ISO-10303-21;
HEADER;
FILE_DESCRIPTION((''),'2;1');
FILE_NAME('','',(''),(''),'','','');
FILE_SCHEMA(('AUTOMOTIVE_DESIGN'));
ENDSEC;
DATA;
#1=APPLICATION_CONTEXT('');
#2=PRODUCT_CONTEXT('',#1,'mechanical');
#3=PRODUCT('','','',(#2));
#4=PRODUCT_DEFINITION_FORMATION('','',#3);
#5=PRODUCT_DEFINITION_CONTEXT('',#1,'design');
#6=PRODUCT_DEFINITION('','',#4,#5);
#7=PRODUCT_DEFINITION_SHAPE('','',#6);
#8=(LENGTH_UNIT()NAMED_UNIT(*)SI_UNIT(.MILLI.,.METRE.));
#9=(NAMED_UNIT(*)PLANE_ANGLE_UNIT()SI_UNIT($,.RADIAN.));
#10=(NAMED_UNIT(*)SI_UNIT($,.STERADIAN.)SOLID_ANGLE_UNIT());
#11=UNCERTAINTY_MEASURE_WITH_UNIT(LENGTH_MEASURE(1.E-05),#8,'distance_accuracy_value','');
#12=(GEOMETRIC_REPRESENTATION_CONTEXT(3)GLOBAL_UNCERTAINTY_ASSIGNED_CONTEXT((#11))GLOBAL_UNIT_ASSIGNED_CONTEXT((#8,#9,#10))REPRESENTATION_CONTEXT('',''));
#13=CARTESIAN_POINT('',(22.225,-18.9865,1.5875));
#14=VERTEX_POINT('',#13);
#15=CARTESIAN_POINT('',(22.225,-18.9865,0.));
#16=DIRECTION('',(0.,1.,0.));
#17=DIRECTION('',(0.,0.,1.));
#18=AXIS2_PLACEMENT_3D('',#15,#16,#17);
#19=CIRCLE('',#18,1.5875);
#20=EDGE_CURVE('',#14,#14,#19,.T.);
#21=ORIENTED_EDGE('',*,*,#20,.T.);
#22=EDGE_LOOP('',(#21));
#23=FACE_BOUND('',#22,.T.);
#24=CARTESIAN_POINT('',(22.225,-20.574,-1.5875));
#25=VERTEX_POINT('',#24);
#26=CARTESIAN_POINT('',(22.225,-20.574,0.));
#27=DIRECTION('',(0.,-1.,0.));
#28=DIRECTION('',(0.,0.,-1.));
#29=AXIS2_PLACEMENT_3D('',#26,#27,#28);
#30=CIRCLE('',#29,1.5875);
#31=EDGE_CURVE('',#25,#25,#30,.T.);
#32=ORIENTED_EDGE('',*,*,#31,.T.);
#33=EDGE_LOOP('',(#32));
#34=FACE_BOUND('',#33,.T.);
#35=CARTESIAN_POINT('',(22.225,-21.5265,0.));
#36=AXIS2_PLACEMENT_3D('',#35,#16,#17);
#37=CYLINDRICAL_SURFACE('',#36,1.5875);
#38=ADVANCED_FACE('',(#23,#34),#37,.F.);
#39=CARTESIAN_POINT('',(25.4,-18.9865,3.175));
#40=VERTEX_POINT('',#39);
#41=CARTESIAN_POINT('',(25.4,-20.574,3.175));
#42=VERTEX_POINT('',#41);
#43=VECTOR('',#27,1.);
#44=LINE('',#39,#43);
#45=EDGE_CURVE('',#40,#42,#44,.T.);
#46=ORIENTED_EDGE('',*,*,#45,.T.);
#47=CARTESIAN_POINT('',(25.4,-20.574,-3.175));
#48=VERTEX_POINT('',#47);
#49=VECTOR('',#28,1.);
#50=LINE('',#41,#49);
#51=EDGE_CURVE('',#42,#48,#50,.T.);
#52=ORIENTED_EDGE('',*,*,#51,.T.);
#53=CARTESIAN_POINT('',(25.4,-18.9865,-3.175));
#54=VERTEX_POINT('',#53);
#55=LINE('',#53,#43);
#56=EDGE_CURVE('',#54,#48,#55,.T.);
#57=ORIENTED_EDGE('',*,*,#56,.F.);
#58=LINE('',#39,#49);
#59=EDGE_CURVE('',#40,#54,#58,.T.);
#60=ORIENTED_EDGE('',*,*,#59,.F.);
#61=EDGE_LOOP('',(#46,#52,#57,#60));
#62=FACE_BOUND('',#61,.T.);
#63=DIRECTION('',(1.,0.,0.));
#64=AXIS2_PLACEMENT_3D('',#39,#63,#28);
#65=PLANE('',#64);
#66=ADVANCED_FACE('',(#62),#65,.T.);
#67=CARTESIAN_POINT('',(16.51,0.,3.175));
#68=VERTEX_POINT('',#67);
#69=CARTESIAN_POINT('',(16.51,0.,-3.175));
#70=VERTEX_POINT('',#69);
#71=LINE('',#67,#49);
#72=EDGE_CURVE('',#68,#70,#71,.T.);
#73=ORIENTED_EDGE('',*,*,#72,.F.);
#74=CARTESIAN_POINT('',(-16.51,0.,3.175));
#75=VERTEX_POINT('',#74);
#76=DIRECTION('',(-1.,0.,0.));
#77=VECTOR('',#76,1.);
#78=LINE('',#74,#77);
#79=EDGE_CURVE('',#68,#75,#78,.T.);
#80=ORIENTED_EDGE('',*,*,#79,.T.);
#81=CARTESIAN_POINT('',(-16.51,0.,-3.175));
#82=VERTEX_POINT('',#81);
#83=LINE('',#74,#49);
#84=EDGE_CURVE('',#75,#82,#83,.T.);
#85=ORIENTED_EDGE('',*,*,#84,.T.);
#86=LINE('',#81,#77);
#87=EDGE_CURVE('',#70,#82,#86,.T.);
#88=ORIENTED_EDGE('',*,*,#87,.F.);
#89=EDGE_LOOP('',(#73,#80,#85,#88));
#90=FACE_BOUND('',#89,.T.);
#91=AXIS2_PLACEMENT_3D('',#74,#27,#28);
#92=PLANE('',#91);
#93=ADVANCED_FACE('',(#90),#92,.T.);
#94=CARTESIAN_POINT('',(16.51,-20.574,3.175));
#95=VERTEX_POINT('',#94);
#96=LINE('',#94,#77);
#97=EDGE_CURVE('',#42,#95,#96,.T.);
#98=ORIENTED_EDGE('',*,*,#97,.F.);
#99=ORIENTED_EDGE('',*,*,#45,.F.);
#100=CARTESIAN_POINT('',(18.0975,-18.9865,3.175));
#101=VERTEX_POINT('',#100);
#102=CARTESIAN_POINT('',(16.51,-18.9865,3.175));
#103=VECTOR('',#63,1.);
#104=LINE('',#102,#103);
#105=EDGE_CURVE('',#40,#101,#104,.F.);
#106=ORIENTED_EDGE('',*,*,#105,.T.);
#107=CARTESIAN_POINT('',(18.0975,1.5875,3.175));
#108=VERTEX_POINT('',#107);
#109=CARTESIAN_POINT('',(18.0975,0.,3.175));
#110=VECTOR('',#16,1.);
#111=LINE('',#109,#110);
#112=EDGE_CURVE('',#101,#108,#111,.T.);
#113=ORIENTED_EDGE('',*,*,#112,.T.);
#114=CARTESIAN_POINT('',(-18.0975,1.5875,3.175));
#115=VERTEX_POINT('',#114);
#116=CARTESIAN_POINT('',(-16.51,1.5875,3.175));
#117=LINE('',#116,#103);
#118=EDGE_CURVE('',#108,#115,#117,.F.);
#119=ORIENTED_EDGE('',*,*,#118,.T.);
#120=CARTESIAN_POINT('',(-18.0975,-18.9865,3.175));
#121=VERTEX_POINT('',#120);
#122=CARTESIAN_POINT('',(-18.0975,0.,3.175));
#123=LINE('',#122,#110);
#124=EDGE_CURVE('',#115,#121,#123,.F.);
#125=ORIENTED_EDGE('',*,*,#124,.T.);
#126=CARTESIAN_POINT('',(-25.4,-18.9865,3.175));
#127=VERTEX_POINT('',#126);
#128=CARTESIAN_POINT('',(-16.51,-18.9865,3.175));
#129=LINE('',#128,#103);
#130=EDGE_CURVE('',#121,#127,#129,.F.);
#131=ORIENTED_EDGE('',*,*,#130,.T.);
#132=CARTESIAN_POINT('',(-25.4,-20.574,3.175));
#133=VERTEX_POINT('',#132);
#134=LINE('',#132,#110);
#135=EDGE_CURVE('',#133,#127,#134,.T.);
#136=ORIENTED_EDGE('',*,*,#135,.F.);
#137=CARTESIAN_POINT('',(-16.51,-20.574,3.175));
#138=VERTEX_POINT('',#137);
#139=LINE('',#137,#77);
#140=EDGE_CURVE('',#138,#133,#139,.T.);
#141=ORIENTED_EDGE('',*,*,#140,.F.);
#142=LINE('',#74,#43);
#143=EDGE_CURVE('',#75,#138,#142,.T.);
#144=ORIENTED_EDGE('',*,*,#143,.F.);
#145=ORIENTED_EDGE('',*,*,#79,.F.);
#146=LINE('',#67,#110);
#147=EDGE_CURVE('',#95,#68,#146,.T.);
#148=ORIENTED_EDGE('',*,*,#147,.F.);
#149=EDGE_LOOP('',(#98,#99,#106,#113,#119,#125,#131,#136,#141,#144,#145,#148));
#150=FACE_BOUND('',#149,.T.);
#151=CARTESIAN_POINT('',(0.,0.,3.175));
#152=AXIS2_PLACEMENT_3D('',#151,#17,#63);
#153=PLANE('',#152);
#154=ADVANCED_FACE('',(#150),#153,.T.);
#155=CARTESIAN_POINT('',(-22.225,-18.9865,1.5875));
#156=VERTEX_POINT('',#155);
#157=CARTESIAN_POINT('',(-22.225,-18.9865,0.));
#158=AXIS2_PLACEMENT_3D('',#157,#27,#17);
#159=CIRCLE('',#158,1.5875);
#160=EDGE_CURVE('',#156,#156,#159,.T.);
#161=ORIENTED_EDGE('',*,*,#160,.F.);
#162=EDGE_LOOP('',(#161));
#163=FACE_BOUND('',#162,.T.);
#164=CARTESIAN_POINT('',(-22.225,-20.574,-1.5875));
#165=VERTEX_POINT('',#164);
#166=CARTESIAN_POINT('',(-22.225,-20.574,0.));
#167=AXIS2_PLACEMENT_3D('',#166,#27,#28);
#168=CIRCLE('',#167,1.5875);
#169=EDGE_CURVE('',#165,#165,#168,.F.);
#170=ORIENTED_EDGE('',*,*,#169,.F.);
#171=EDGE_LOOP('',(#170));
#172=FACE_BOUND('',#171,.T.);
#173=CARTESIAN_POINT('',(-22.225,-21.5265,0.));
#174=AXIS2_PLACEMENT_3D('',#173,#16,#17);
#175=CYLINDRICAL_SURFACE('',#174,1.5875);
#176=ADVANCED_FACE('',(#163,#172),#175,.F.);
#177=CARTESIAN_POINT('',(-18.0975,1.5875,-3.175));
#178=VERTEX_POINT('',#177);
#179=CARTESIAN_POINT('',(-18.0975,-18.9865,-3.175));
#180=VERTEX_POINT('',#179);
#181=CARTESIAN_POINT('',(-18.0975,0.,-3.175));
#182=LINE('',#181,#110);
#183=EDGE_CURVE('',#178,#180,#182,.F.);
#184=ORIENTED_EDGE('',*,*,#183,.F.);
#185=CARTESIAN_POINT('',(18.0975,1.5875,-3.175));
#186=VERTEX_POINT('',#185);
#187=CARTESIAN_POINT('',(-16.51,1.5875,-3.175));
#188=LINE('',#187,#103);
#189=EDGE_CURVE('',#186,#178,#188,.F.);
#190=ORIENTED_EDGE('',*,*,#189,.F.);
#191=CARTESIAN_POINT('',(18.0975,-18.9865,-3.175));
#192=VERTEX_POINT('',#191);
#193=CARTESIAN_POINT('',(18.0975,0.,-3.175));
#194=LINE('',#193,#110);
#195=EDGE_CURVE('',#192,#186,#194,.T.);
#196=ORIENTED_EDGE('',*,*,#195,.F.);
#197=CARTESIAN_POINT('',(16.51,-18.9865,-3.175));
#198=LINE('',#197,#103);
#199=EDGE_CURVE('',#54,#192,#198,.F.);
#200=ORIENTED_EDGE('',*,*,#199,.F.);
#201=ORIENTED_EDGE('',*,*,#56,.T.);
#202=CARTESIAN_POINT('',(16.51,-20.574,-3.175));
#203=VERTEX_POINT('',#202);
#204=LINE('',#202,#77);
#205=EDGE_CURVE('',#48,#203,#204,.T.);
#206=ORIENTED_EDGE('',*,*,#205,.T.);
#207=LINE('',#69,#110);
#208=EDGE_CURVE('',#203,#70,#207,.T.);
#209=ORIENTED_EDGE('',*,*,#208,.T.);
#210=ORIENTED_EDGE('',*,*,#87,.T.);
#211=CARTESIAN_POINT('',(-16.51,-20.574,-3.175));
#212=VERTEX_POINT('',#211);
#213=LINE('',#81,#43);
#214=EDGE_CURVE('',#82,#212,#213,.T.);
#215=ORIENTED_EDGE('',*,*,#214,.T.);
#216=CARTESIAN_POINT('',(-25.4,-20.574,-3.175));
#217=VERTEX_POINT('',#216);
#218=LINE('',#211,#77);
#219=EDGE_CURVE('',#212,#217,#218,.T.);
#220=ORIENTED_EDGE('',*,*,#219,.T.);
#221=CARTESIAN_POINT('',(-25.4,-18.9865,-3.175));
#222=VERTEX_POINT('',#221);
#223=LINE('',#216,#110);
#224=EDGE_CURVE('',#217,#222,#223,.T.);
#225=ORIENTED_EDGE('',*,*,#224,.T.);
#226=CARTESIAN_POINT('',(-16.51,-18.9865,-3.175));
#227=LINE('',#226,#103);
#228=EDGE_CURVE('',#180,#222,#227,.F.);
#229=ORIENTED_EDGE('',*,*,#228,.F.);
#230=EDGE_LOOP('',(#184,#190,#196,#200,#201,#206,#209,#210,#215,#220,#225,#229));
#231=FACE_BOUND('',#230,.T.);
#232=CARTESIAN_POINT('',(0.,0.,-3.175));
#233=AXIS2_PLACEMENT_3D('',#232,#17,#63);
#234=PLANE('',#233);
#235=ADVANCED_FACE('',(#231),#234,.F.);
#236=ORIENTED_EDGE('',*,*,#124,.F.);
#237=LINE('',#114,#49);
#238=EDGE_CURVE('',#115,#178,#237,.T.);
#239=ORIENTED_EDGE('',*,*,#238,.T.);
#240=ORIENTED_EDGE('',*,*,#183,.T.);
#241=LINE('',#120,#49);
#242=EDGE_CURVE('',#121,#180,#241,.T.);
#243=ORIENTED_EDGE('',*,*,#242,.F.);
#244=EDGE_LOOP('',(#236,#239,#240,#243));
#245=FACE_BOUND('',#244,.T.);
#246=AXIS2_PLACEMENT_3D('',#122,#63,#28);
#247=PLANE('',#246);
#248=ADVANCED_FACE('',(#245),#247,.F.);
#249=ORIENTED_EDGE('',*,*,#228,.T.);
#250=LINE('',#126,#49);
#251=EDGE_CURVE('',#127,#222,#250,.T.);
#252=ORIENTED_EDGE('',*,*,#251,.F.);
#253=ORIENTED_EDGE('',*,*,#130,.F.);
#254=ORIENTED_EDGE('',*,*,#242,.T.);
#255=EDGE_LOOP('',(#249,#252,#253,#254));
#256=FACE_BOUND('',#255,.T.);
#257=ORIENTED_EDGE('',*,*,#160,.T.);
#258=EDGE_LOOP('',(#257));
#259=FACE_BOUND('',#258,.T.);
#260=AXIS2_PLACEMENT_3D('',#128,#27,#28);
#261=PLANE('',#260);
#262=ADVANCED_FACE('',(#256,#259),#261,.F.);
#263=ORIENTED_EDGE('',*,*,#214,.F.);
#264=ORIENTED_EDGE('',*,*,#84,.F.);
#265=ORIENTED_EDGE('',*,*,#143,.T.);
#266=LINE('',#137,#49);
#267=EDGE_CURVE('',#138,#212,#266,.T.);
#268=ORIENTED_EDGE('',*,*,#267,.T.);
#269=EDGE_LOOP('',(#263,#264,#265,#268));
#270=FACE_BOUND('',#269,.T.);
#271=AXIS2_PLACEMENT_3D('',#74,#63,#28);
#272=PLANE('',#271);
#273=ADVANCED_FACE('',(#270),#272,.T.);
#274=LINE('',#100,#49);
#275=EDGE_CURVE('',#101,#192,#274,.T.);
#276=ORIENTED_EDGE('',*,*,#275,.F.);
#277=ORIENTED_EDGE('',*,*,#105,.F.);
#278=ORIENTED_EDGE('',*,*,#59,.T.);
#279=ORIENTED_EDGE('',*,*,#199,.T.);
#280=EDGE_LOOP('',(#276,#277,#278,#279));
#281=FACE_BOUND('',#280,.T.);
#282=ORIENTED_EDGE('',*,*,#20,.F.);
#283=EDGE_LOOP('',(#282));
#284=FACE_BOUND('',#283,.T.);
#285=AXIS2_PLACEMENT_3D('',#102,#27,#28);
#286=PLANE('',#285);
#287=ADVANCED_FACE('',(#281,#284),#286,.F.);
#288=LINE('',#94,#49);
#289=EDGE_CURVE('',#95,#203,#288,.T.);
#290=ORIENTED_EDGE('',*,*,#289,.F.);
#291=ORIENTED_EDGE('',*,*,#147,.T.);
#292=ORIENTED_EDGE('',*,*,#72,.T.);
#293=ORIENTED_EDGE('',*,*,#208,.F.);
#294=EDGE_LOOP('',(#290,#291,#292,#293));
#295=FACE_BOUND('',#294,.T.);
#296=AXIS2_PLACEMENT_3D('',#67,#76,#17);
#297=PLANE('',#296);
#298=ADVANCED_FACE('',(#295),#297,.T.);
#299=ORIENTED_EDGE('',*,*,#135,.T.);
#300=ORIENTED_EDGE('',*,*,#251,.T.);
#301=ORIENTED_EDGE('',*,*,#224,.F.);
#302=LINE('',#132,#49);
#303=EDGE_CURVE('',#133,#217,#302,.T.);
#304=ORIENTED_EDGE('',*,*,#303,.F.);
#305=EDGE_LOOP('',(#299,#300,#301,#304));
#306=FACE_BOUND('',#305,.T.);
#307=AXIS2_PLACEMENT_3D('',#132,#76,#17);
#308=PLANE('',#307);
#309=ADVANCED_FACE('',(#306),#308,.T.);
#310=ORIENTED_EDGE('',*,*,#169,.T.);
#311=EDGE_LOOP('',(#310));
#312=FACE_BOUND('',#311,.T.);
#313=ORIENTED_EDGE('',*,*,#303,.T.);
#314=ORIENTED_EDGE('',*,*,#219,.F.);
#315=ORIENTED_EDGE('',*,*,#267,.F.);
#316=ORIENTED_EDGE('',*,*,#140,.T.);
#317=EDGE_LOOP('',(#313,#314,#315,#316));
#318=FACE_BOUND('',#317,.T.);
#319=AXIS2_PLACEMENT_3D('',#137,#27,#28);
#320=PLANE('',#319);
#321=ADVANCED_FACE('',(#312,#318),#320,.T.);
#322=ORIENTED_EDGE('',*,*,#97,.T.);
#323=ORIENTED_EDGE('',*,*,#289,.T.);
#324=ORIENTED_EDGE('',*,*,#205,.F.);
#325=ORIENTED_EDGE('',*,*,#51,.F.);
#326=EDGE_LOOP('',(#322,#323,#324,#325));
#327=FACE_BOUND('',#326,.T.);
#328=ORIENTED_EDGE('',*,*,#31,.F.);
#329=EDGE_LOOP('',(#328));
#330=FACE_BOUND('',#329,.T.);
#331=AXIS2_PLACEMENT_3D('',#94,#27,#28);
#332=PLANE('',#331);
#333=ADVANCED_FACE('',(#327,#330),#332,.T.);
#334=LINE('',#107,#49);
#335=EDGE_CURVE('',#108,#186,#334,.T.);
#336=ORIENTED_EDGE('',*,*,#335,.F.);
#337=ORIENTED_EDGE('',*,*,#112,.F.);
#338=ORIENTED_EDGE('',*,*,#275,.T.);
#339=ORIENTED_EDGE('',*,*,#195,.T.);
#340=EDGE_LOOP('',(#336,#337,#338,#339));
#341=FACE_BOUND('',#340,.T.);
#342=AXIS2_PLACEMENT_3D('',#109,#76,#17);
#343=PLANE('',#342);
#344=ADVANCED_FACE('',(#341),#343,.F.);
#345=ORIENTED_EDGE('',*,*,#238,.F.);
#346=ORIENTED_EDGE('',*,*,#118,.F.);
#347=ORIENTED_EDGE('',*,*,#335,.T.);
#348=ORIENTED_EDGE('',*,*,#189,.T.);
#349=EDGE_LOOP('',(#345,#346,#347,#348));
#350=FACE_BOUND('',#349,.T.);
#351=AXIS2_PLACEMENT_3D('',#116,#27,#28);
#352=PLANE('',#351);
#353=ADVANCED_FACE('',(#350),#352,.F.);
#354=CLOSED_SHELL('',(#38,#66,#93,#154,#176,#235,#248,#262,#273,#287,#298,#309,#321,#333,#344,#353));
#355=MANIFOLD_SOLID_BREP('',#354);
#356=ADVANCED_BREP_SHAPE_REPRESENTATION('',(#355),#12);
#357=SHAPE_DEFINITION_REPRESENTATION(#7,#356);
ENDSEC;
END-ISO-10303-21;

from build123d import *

# Parameters (mm, degrees)
EXTRUDE_THIN1_DEPTH = 3.175
SKETCH2_R           = 1.5875
CUT_EXTRUDE1_DEPTH  = 2.54


with BuildPart() as part:
    # Sketch1 → Extrude-Thin1 (new, symmetric)
    with BuildSketch(Plane.XY):
        Polygon((-25.4, -20.574), (-16.51, -20.574), (-16.51, 0), (16.51, 0), (16.51, -20.574), (25.4, -20.574), (25.4, -18.9865), (18.0975, -18.9865), (18.0975, 1.5875), (-18.0975, 1.5875), (-18.0975, -18.9865), (-25.4, -18.9865), align=None)
    extrude(amount=EXTRUDE_THIN1_DEPTH, both=True)

    # Sketch2 → Cut-Extrude1 (cut)
    with BuildSketch(Plane(origin=(0, -18.9865, 0), x_dir=(1, 0, 0), z_dir=(0, 1, 0))):
        with Locations(Location((22.225, 0, 0), (0, 0, 270))):
            Circle(SKETCH2_R)
    cut_extrude1 = extrude(amount=-CUT_EXTRUDE1_DEPTH, mode=Mode.SUBTRACT)

    # Mirror1: Cut-Extrude1 across plane
    add(cut_extrude1.mirror(Plane(origin=(0, 0, 0), x_dir=(0, 0, 1), z_dir=(1, 0, 0))), mode=Mode.SUBTRACT)


solid = part.part
